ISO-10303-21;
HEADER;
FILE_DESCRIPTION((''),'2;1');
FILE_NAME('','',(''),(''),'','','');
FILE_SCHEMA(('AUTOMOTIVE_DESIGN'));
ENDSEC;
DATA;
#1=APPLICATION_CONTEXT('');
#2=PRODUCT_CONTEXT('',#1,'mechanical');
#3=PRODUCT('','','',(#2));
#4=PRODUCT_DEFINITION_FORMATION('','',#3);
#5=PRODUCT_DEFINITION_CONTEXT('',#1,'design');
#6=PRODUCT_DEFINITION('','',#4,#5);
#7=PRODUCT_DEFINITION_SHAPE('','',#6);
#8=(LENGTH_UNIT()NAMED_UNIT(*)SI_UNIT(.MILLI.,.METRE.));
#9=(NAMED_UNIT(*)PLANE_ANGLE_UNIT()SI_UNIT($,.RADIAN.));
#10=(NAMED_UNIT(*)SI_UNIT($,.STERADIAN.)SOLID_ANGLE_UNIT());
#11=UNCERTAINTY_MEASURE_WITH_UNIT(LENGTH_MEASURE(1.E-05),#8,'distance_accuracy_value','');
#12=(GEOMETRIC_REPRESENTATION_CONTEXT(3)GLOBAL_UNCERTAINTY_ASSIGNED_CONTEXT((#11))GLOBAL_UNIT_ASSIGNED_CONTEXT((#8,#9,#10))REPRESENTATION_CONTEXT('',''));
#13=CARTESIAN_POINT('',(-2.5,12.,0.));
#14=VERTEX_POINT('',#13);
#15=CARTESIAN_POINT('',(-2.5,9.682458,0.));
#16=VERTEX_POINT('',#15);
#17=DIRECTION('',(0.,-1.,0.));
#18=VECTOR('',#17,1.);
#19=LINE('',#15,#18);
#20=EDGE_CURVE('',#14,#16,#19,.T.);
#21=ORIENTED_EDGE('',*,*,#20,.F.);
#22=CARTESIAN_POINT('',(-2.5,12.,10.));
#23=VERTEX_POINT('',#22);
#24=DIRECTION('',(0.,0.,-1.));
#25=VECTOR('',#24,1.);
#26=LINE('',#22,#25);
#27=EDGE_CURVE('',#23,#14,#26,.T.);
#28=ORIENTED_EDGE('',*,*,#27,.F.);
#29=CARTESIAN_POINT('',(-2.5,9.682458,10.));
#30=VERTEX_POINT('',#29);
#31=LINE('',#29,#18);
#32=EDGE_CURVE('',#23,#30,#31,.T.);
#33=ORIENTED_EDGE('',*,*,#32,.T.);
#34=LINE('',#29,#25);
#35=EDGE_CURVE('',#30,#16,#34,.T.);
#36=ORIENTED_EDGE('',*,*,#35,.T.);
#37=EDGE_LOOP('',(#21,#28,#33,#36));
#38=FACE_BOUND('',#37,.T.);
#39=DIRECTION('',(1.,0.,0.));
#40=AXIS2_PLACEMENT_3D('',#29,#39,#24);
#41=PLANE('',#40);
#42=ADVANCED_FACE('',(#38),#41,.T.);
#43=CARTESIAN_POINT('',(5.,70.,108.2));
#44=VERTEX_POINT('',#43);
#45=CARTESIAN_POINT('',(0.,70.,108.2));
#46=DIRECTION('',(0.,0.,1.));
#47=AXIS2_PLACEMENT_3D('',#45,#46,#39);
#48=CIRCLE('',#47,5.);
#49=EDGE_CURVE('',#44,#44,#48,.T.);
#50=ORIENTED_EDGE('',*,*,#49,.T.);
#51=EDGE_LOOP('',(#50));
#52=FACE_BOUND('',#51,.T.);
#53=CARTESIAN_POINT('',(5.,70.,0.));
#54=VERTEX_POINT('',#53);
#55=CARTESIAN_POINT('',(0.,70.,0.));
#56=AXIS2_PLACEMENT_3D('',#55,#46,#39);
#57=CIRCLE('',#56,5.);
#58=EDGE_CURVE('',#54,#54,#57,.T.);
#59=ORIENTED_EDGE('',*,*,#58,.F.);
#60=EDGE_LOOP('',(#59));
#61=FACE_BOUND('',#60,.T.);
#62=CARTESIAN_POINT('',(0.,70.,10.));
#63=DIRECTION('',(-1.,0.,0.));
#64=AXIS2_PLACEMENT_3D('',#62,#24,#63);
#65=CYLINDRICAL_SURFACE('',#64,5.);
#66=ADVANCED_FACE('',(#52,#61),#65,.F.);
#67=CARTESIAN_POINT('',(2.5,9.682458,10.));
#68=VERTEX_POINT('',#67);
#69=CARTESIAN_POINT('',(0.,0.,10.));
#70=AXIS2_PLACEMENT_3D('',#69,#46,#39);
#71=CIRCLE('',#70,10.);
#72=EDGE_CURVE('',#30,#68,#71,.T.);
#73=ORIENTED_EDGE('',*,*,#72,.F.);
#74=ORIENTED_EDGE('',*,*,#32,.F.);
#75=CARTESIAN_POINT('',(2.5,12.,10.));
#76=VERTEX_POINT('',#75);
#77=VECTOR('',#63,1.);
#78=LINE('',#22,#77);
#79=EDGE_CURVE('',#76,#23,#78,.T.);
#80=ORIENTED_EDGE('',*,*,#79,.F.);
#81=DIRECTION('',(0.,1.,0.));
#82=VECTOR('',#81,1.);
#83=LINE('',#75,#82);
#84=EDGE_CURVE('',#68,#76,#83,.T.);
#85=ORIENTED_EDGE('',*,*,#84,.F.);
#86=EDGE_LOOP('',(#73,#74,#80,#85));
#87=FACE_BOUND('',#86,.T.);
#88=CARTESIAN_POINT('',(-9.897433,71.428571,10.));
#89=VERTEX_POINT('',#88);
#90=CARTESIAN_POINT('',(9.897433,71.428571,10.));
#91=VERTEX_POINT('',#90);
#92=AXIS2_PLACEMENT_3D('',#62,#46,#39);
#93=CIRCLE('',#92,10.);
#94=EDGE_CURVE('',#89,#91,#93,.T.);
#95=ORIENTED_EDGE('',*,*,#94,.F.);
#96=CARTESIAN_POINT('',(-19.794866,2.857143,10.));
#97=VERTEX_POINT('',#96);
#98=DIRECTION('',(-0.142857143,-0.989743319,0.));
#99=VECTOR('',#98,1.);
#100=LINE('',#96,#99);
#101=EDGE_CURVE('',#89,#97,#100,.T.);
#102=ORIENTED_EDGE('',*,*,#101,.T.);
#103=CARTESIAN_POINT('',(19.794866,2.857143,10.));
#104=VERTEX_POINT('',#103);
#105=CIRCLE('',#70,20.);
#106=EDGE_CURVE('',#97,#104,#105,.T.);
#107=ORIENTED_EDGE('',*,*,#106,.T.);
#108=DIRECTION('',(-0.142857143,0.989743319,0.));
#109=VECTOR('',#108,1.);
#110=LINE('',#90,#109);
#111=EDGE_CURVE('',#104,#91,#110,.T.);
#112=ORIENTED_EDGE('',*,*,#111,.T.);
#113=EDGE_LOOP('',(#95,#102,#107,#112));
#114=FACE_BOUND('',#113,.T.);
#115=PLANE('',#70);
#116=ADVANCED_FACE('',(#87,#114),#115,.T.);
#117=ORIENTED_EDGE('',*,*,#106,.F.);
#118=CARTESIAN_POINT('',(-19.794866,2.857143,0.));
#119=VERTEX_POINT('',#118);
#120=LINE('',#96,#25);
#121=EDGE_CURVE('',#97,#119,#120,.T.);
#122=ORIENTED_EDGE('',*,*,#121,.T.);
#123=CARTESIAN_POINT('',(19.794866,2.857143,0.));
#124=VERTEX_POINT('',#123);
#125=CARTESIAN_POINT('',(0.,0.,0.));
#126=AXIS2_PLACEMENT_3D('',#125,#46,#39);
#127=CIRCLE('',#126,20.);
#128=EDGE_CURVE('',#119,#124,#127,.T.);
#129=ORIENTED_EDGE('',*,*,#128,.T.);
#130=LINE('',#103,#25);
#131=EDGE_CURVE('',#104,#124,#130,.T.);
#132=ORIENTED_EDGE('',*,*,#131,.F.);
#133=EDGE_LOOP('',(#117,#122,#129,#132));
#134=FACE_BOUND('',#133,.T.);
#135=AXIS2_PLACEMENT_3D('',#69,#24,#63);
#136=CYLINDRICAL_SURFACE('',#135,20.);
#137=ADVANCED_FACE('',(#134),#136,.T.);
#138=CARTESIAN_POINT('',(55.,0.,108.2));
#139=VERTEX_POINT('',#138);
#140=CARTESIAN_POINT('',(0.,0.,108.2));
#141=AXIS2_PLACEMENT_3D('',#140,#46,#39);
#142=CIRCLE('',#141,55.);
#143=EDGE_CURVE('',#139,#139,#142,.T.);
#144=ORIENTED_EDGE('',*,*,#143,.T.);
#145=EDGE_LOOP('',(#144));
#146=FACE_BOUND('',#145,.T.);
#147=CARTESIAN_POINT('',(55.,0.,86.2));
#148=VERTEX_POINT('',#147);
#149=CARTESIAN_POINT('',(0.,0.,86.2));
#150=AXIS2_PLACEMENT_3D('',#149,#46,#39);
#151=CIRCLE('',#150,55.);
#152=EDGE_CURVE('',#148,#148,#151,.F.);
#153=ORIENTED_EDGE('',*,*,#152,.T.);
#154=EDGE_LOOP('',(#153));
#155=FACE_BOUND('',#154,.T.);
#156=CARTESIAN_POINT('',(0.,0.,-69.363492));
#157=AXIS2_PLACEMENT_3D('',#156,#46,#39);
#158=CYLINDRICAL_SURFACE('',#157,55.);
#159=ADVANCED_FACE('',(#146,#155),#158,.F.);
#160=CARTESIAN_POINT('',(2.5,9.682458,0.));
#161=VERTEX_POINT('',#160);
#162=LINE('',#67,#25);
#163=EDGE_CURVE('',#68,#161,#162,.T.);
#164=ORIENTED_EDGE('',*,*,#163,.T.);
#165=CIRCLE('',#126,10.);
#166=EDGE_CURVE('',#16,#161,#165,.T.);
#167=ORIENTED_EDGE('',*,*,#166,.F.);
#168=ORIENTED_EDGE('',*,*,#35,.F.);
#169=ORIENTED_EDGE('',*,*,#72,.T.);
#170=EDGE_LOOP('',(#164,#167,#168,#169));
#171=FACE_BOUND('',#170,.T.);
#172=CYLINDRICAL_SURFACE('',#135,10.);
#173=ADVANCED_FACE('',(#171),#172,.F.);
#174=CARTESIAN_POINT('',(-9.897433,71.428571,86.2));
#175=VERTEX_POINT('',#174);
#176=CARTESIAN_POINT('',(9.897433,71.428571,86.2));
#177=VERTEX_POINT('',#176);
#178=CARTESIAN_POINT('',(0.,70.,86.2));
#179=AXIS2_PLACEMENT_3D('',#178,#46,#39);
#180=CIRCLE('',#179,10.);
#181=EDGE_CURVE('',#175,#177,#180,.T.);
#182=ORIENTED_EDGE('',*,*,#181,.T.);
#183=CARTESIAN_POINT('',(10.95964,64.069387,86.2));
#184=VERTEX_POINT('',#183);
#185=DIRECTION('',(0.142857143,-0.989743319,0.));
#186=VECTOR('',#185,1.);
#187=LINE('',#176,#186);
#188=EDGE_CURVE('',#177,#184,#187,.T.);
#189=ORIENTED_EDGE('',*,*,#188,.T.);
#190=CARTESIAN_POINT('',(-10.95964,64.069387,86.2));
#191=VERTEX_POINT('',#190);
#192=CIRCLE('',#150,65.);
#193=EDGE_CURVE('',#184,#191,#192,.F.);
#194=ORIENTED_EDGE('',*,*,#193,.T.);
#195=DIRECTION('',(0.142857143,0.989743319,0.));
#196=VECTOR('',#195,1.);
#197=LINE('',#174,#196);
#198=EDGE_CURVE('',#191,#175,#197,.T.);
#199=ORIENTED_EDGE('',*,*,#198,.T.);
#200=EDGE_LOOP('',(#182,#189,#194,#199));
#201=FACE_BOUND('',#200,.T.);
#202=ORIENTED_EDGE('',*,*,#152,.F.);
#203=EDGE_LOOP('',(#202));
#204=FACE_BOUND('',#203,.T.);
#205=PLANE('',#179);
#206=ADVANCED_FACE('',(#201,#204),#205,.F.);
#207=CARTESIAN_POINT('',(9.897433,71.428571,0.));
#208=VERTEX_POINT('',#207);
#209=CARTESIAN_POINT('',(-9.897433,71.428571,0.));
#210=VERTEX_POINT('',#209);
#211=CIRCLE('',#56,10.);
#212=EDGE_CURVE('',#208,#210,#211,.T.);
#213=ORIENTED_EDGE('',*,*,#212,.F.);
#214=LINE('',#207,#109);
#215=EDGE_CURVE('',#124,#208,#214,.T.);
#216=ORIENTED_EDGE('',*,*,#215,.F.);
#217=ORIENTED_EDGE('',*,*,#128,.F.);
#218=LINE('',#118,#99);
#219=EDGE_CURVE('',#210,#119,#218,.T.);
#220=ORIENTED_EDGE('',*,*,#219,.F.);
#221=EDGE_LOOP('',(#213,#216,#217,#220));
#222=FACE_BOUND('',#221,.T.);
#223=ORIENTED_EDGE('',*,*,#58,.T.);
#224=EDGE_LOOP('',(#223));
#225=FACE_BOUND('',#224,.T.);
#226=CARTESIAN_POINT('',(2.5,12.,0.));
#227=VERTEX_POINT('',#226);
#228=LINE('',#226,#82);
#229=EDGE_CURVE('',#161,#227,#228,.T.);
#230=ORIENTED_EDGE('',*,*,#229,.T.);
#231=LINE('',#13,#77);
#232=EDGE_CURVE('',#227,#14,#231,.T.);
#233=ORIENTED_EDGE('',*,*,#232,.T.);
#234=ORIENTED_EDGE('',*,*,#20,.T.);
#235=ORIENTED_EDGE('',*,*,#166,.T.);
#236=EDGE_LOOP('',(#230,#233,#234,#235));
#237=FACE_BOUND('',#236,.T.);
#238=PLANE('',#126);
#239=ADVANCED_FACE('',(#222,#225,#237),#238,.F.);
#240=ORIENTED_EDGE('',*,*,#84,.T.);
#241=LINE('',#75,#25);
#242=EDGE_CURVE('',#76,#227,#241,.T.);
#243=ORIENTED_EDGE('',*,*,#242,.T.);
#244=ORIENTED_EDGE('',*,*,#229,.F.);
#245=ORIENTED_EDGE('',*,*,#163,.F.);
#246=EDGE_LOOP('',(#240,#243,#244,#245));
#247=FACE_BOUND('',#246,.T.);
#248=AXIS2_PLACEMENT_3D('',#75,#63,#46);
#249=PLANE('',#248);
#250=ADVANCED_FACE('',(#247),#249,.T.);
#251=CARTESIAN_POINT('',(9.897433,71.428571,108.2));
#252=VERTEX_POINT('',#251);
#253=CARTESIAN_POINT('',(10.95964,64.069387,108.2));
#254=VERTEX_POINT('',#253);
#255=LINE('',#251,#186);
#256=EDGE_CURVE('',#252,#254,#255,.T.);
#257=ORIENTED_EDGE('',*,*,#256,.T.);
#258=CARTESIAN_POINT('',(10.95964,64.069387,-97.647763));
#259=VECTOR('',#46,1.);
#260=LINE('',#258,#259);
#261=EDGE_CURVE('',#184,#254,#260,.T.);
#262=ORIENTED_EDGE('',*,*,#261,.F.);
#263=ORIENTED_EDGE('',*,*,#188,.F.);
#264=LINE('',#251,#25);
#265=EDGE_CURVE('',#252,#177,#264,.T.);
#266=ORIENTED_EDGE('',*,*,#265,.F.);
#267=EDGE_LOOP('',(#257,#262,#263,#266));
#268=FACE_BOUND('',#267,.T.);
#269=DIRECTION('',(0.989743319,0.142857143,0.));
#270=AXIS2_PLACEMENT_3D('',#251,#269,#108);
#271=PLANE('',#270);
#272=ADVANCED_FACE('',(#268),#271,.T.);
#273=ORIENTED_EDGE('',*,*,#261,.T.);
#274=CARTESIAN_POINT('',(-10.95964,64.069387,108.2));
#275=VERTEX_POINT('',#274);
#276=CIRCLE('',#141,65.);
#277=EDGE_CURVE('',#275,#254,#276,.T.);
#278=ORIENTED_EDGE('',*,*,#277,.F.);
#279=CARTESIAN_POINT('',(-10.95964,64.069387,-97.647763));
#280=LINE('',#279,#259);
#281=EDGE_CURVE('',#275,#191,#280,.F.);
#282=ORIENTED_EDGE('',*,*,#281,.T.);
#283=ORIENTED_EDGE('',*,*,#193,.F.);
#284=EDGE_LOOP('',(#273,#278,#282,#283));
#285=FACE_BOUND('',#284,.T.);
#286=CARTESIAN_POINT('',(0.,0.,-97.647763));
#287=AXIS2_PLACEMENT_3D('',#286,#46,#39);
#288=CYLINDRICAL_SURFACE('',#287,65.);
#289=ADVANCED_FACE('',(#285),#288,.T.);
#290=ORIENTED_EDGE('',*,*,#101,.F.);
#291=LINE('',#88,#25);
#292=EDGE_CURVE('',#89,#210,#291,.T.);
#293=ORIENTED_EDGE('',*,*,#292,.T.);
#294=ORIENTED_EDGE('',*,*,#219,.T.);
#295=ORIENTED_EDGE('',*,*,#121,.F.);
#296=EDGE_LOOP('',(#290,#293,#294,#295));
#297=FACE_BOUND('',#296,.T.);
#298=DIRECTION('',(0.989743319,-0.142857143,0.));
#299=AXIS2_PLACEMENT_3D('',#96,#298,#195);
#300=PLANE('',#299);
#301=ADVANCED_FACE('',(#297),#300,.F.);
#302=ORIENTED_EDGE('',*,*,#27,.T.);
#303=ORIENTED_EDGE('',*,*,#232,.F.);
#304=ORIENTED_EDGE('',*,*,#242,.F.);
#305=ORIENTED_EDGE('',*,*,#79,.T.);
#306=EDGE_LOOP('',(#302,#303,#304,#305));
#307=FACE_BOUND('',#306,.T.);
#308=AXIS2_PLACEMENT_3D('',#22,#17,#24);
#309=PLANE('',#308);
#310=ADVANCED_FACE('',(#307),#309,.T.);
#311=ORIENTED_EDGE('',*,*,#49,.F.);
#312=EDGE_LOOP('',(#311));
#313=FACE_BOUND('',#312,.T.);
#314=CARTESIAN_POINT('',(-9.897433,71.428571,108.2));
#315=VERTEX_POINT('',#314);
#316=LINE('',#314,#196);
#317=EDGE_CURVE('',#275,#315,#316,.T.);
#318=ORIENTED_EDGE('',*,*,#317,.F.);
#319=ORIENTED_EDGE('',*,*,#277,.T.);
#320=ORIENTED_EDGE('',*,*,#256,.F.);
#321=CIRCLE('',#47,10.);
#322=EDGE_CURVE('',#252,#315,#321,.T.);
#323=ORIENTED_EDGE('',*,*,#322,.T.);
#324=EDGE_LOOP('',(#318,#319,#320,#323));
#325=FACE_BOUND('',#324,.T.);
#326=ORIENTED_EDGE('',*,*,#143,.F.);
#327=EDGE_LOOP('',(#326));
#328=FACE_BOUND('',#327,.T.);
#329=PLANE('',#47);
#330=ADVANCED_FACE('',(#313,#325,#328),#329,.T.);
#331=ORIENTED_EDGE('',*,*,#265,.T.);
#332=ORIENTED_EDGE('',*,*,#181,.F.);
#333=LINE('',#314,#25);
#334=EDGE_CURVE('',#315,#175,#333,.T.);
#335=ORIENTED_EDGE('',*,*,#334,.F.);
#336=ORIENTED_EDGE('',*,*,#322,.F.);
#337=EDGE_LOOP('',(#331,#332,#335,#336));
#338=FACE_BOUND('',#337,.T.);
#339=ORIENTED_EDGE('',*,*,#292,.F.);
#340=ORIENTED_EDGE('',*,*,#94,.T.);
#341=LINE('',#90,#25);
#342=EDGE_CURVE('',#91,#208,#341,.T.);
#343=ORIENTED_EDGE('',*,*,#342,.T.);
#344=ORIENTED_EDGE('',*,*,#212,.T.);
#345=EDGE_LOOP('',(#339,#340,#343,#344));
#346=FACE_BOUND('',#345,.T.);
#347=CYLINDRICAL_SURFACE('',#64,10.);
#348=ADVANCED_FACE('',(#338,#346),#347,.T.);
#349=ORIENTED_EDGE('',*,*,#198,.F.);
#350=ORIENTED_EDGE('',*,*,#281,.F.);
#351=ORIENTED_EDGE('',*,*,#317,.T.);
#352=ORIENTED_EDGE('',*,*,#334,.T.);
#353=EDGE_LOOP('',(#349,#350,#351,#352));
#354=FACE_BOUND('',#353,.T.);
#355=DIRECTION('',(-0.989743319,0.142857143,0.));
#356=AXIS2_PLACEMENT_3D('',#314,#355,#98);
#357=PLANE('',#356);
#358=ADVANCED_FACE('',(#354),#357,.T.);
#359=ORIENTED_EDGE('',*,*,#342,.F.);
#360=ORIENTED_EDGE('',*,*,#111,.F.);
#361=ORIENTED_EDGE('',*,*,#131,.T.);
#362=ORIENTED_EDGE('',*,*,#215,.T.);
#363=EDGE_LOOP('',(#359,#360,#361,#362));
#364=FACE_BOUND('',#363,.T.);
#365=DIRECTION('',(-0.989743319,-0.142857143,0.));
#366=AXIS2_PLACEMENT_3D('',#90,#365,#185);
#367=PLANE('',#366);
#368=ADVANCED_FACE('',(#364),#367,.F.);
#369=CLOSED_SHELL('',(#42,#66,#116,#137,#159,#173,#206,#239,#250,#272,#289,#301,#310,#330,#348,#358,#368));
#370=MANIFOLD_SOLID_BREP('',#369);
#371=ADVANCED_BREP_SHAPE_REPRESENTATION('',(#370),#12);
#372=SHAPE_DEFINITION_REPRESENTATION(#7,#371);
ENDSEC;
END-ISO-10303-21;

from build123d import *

# Parameters (mm, degrees)
SKETCH2_R           = 5
BOSS_EXTRUDE1_DEPTH = 10
SKETCH3_R           = 10
SKETCH3_R_2         = 5
BOSS_EXTRUDE2_DEPTH = 76.2
BOSS_EXTRUDE3_START = 86.2
SKETCH2_2_R         = 5
BOSS_EXTRUDE3_DEPTH = 22
SKETCH5_R           = 65
BOSS_EXTRUDE4_DEPTH = 22
SKETCH6_R           = 55
CUT_EXTRUDE1_DEPTH  = 22


with BuildPart() as part:
    # Sketch2 → Boss-Extrude1 (new body)
    with BuildSketch(Plane.XY):
        with BuildLine():
            Line((-19.794866372, 2.857142857), (-9.897433186, 71.428571429))
            ThreePointArc((-9.897433186, 71.428571429), (0, 80), (9.897433186, 71.428571429))
            Line((9.897433186, 71.428571429), (19.794866372, 2.857142857))
            ThreePointArc((19.794866372, 2.857142857), (0, -20), (-19.794866372, 2.857142857))
        make_face()
        with Locations((0, 70)):
            Circle(SKETCH2_R, mode=Mode.SUBTRACT)
        with BuildLine():
            Line((-2.5, 9.682458366), (-2.5, 12))
            Line((-2.5, 12), (2.5, 12))
            Line((2.5, 12), (2.5, 9.682458366))
            ThreePointArc((2.5, 9.682458366), (0, -10), (-2.5, 9.682458366))
        make_face(mode=Mode.SUBTRACT)
    extrude(amount=BOSS_EXTRUDE1_DEPTH)

    # Sketch3 → Boss-Extrude2 (add)
    with BuildSketch(Plane.XY.offset(10)):
        with Locations(Location((0, 70, 0), (0, 0, 171.786789298))):
            Circle(SKETCH3_R)
        with Locations((0, 70)):
            Circle(SKETCH3_R_2, mode=Mode.SUBTRACT)
    extrude(amount=BOSS_EXTRUDE2_DEPTH)

    # Sketch2<2> → Boss-Extrude3 (add)
    with BuildSketch(Plane.XY.offset(BOSS_EXTRUDE3_START)):
        with BuildLine():
            Line((-19.794866372, 2.857142857), (-9.897433186, 71.428571429))
            ThreePointArc((-9.897433186, 71.428571429), (0, 80), (9.897433186, 71.428571429))
            Line((9.897433186, 71.428571429), (19.794866372, 2.857142857))
            ThreePointArc((19.794866372, 2.857142857), (0, -20), (-19.794866372, 2.857142857))
        make_face()
        with Locations((0, 70)):
            Circle(SKETCH2_2_R, mode=Mode.SUBTRACT)
        with BuildLine():
            Line((-2.5, 9.682458366), (-2.5, 12))
            Line((-2.5, 12), (2.5, 12))
            Line((2.5, 12), (2.5, 9.682458366))
            ThreePointArc((2.5, 9.682458366), (0, -10), (-2.5, 9.682458366))
        make_face(mode=Mode.SUBTRACT)
    extrude(amount=BOSS_EXTRUDE3_DEPTH)

    # Sketch5 → Boss-Extrude4 (add)
    with BuildSketch(Plane.XY.offset(108.2)):
        Circle(SKETCH5_R)
    extrude(amount=-BOSS_EXTRUDE4_DEPTH)

    # Sketch6 → Cut-Extrude1 (cut)
    with BuildSketch(Plane.XY.offset(108.2)):
        Circle(SKETCH6_R)
    extrude(amount=-CUT_EXTRUDE1_DEPTH, mode=Mode.SUBTRACT)


solid = part.part
